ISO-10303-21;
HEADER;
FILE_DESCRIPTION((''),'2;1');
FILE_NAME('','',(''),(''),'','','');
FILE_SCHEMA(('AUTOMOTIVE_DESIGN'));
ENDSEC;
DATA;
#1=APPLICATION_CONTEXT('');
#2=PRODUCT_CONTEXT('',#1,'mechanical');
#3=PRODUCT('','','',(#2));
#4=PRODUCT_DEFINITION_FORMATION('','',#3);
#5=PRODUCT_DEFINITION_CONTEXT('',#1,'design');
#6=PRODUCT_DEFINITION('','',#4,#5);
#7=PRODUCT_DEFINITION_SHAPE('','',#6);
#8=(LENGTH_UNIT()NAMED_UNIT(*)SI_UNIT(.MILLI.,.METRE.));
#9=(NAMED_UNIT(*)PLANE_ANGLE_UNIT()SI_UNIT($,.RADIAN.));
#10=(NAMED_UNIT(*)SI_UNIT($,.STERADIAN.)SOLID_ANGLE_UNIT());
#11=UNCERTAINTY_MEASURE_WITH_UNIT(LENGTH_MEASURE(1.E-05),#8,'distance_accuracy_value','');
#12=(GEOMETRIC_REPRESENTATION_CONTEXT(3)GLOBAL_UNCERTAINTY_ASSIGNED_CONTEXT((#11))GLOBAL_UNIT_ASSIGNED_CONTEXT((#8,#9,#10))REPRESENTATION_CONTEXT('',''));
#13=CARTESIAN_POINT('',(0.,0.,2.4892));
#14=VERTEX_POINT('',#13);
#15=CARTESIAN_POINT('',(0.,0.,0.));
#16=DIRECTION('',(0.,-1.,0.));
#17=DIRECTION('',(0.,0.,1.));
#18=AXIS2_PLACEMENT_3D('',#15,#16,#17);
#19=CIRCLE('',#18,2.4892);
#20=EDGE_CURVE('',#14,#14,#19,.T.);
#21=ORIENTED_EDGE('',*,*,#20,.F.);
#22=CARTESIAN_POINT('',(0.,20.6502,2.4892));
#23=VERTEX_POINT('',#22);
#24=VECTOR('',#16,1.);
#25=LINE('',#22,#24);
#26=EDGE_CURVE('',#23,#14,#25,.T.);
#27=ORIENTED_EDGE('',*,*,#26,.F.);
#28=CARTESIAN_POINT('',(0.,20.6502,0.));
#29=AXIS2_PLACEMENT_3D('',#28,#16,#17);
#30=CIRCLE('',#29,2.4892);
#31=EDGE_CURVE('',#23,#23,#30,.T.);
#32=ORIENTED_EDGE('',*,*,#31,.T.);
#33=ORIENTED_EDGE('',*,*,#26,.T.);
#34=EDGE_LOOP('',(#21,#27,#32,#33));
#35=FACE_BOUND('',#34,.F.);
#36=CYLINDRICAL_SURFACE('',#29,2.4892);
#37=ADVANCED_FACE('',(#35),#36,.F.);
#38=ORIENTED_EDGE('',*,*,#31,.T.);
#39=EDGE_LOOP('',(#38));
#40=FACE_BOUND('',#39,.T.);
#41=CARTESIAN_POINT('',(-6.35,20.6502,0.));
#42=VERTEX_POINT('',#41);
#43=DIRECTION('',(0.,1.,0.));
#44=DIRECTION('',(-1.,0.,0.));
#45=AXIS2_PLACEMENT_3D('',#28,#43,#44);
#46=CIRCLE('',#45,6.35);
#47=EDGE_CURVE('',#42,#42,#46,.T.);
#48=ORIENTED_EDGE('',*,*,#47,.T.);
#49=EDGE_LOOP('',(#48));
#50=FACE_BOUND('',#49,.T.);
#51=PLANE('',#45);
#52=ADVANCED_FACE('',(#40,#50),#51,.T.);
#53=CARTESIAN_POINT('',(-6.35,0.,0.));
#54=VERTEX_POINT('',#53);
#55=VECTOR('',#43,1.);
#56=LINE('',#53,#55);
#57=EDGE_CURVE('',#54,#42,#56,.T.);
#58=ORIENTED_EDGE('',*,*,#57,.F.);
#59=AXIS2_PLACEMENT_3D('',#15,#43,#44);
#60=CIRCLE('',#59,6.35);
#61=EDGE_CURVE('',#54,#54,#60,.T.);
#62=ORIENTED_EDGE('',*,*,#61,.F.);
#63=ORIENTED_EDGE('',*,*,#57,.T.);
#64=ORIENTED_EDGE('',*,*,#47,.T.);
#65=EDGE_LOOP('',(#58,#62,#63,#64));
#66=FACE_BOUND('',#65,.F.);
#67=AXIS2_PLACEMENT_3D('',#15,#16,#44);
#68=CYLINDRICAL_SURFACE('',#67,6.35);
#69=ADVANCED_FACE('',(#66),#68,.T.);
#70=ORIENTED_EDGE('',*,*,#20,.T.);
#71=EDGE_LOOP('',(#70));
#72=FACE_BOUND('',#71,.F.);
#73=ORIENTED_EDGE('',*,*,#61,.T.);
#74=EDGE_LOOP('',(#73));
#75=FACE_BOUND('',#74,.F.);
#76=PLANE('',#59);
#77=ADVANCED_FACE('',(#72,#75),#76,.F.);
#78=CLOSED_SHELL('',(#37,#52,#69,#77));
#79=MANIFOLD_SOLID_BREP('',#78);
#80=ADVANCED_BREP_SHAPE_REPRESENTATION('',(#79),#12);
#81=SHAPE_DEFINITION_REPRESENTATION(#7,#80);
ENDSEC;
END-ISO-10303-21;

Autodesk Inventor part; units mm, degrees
ref_plane "YZ Plane" through (0, 0, 0) normal (1, 0, 0) x (0, 1, 0)
ref_plane "XZ Plane" through (0, 0, 0) normal (0, 1, 0) x (-1, 0, 0)
ref_plane "XY Plane" through (0, 0, 0) normal (0, 0, 1) x (1, 0, 0)
sketch "Sketch1" plane through (0, 0, 0) normal (0, 1, 0) x (-1, 0, 0)
  circle A0 centre (0, 0) radius 6.35
  dimension "d0" = 12.7
extrude "Extrusion1" add sketch "Sketch1" along normal blind 20.6502
sketch "Sketch2" plane through (0, 20.6502, 0) normal (0, 1, 0) x (1, 0, 0)
  point P0 (0, 0)
  point P1 (0, 0)
hole "Hole1" at (0, 20.6502, 0) direction (0, -1, 0) diameter 4.9784 end through all thread size "1/4-20 UNC" class "2B" standard "ANSI Unified Screw Threads"
properties part number "DragBarLinkage3 Spacer1" material "Aluminum 6061"
